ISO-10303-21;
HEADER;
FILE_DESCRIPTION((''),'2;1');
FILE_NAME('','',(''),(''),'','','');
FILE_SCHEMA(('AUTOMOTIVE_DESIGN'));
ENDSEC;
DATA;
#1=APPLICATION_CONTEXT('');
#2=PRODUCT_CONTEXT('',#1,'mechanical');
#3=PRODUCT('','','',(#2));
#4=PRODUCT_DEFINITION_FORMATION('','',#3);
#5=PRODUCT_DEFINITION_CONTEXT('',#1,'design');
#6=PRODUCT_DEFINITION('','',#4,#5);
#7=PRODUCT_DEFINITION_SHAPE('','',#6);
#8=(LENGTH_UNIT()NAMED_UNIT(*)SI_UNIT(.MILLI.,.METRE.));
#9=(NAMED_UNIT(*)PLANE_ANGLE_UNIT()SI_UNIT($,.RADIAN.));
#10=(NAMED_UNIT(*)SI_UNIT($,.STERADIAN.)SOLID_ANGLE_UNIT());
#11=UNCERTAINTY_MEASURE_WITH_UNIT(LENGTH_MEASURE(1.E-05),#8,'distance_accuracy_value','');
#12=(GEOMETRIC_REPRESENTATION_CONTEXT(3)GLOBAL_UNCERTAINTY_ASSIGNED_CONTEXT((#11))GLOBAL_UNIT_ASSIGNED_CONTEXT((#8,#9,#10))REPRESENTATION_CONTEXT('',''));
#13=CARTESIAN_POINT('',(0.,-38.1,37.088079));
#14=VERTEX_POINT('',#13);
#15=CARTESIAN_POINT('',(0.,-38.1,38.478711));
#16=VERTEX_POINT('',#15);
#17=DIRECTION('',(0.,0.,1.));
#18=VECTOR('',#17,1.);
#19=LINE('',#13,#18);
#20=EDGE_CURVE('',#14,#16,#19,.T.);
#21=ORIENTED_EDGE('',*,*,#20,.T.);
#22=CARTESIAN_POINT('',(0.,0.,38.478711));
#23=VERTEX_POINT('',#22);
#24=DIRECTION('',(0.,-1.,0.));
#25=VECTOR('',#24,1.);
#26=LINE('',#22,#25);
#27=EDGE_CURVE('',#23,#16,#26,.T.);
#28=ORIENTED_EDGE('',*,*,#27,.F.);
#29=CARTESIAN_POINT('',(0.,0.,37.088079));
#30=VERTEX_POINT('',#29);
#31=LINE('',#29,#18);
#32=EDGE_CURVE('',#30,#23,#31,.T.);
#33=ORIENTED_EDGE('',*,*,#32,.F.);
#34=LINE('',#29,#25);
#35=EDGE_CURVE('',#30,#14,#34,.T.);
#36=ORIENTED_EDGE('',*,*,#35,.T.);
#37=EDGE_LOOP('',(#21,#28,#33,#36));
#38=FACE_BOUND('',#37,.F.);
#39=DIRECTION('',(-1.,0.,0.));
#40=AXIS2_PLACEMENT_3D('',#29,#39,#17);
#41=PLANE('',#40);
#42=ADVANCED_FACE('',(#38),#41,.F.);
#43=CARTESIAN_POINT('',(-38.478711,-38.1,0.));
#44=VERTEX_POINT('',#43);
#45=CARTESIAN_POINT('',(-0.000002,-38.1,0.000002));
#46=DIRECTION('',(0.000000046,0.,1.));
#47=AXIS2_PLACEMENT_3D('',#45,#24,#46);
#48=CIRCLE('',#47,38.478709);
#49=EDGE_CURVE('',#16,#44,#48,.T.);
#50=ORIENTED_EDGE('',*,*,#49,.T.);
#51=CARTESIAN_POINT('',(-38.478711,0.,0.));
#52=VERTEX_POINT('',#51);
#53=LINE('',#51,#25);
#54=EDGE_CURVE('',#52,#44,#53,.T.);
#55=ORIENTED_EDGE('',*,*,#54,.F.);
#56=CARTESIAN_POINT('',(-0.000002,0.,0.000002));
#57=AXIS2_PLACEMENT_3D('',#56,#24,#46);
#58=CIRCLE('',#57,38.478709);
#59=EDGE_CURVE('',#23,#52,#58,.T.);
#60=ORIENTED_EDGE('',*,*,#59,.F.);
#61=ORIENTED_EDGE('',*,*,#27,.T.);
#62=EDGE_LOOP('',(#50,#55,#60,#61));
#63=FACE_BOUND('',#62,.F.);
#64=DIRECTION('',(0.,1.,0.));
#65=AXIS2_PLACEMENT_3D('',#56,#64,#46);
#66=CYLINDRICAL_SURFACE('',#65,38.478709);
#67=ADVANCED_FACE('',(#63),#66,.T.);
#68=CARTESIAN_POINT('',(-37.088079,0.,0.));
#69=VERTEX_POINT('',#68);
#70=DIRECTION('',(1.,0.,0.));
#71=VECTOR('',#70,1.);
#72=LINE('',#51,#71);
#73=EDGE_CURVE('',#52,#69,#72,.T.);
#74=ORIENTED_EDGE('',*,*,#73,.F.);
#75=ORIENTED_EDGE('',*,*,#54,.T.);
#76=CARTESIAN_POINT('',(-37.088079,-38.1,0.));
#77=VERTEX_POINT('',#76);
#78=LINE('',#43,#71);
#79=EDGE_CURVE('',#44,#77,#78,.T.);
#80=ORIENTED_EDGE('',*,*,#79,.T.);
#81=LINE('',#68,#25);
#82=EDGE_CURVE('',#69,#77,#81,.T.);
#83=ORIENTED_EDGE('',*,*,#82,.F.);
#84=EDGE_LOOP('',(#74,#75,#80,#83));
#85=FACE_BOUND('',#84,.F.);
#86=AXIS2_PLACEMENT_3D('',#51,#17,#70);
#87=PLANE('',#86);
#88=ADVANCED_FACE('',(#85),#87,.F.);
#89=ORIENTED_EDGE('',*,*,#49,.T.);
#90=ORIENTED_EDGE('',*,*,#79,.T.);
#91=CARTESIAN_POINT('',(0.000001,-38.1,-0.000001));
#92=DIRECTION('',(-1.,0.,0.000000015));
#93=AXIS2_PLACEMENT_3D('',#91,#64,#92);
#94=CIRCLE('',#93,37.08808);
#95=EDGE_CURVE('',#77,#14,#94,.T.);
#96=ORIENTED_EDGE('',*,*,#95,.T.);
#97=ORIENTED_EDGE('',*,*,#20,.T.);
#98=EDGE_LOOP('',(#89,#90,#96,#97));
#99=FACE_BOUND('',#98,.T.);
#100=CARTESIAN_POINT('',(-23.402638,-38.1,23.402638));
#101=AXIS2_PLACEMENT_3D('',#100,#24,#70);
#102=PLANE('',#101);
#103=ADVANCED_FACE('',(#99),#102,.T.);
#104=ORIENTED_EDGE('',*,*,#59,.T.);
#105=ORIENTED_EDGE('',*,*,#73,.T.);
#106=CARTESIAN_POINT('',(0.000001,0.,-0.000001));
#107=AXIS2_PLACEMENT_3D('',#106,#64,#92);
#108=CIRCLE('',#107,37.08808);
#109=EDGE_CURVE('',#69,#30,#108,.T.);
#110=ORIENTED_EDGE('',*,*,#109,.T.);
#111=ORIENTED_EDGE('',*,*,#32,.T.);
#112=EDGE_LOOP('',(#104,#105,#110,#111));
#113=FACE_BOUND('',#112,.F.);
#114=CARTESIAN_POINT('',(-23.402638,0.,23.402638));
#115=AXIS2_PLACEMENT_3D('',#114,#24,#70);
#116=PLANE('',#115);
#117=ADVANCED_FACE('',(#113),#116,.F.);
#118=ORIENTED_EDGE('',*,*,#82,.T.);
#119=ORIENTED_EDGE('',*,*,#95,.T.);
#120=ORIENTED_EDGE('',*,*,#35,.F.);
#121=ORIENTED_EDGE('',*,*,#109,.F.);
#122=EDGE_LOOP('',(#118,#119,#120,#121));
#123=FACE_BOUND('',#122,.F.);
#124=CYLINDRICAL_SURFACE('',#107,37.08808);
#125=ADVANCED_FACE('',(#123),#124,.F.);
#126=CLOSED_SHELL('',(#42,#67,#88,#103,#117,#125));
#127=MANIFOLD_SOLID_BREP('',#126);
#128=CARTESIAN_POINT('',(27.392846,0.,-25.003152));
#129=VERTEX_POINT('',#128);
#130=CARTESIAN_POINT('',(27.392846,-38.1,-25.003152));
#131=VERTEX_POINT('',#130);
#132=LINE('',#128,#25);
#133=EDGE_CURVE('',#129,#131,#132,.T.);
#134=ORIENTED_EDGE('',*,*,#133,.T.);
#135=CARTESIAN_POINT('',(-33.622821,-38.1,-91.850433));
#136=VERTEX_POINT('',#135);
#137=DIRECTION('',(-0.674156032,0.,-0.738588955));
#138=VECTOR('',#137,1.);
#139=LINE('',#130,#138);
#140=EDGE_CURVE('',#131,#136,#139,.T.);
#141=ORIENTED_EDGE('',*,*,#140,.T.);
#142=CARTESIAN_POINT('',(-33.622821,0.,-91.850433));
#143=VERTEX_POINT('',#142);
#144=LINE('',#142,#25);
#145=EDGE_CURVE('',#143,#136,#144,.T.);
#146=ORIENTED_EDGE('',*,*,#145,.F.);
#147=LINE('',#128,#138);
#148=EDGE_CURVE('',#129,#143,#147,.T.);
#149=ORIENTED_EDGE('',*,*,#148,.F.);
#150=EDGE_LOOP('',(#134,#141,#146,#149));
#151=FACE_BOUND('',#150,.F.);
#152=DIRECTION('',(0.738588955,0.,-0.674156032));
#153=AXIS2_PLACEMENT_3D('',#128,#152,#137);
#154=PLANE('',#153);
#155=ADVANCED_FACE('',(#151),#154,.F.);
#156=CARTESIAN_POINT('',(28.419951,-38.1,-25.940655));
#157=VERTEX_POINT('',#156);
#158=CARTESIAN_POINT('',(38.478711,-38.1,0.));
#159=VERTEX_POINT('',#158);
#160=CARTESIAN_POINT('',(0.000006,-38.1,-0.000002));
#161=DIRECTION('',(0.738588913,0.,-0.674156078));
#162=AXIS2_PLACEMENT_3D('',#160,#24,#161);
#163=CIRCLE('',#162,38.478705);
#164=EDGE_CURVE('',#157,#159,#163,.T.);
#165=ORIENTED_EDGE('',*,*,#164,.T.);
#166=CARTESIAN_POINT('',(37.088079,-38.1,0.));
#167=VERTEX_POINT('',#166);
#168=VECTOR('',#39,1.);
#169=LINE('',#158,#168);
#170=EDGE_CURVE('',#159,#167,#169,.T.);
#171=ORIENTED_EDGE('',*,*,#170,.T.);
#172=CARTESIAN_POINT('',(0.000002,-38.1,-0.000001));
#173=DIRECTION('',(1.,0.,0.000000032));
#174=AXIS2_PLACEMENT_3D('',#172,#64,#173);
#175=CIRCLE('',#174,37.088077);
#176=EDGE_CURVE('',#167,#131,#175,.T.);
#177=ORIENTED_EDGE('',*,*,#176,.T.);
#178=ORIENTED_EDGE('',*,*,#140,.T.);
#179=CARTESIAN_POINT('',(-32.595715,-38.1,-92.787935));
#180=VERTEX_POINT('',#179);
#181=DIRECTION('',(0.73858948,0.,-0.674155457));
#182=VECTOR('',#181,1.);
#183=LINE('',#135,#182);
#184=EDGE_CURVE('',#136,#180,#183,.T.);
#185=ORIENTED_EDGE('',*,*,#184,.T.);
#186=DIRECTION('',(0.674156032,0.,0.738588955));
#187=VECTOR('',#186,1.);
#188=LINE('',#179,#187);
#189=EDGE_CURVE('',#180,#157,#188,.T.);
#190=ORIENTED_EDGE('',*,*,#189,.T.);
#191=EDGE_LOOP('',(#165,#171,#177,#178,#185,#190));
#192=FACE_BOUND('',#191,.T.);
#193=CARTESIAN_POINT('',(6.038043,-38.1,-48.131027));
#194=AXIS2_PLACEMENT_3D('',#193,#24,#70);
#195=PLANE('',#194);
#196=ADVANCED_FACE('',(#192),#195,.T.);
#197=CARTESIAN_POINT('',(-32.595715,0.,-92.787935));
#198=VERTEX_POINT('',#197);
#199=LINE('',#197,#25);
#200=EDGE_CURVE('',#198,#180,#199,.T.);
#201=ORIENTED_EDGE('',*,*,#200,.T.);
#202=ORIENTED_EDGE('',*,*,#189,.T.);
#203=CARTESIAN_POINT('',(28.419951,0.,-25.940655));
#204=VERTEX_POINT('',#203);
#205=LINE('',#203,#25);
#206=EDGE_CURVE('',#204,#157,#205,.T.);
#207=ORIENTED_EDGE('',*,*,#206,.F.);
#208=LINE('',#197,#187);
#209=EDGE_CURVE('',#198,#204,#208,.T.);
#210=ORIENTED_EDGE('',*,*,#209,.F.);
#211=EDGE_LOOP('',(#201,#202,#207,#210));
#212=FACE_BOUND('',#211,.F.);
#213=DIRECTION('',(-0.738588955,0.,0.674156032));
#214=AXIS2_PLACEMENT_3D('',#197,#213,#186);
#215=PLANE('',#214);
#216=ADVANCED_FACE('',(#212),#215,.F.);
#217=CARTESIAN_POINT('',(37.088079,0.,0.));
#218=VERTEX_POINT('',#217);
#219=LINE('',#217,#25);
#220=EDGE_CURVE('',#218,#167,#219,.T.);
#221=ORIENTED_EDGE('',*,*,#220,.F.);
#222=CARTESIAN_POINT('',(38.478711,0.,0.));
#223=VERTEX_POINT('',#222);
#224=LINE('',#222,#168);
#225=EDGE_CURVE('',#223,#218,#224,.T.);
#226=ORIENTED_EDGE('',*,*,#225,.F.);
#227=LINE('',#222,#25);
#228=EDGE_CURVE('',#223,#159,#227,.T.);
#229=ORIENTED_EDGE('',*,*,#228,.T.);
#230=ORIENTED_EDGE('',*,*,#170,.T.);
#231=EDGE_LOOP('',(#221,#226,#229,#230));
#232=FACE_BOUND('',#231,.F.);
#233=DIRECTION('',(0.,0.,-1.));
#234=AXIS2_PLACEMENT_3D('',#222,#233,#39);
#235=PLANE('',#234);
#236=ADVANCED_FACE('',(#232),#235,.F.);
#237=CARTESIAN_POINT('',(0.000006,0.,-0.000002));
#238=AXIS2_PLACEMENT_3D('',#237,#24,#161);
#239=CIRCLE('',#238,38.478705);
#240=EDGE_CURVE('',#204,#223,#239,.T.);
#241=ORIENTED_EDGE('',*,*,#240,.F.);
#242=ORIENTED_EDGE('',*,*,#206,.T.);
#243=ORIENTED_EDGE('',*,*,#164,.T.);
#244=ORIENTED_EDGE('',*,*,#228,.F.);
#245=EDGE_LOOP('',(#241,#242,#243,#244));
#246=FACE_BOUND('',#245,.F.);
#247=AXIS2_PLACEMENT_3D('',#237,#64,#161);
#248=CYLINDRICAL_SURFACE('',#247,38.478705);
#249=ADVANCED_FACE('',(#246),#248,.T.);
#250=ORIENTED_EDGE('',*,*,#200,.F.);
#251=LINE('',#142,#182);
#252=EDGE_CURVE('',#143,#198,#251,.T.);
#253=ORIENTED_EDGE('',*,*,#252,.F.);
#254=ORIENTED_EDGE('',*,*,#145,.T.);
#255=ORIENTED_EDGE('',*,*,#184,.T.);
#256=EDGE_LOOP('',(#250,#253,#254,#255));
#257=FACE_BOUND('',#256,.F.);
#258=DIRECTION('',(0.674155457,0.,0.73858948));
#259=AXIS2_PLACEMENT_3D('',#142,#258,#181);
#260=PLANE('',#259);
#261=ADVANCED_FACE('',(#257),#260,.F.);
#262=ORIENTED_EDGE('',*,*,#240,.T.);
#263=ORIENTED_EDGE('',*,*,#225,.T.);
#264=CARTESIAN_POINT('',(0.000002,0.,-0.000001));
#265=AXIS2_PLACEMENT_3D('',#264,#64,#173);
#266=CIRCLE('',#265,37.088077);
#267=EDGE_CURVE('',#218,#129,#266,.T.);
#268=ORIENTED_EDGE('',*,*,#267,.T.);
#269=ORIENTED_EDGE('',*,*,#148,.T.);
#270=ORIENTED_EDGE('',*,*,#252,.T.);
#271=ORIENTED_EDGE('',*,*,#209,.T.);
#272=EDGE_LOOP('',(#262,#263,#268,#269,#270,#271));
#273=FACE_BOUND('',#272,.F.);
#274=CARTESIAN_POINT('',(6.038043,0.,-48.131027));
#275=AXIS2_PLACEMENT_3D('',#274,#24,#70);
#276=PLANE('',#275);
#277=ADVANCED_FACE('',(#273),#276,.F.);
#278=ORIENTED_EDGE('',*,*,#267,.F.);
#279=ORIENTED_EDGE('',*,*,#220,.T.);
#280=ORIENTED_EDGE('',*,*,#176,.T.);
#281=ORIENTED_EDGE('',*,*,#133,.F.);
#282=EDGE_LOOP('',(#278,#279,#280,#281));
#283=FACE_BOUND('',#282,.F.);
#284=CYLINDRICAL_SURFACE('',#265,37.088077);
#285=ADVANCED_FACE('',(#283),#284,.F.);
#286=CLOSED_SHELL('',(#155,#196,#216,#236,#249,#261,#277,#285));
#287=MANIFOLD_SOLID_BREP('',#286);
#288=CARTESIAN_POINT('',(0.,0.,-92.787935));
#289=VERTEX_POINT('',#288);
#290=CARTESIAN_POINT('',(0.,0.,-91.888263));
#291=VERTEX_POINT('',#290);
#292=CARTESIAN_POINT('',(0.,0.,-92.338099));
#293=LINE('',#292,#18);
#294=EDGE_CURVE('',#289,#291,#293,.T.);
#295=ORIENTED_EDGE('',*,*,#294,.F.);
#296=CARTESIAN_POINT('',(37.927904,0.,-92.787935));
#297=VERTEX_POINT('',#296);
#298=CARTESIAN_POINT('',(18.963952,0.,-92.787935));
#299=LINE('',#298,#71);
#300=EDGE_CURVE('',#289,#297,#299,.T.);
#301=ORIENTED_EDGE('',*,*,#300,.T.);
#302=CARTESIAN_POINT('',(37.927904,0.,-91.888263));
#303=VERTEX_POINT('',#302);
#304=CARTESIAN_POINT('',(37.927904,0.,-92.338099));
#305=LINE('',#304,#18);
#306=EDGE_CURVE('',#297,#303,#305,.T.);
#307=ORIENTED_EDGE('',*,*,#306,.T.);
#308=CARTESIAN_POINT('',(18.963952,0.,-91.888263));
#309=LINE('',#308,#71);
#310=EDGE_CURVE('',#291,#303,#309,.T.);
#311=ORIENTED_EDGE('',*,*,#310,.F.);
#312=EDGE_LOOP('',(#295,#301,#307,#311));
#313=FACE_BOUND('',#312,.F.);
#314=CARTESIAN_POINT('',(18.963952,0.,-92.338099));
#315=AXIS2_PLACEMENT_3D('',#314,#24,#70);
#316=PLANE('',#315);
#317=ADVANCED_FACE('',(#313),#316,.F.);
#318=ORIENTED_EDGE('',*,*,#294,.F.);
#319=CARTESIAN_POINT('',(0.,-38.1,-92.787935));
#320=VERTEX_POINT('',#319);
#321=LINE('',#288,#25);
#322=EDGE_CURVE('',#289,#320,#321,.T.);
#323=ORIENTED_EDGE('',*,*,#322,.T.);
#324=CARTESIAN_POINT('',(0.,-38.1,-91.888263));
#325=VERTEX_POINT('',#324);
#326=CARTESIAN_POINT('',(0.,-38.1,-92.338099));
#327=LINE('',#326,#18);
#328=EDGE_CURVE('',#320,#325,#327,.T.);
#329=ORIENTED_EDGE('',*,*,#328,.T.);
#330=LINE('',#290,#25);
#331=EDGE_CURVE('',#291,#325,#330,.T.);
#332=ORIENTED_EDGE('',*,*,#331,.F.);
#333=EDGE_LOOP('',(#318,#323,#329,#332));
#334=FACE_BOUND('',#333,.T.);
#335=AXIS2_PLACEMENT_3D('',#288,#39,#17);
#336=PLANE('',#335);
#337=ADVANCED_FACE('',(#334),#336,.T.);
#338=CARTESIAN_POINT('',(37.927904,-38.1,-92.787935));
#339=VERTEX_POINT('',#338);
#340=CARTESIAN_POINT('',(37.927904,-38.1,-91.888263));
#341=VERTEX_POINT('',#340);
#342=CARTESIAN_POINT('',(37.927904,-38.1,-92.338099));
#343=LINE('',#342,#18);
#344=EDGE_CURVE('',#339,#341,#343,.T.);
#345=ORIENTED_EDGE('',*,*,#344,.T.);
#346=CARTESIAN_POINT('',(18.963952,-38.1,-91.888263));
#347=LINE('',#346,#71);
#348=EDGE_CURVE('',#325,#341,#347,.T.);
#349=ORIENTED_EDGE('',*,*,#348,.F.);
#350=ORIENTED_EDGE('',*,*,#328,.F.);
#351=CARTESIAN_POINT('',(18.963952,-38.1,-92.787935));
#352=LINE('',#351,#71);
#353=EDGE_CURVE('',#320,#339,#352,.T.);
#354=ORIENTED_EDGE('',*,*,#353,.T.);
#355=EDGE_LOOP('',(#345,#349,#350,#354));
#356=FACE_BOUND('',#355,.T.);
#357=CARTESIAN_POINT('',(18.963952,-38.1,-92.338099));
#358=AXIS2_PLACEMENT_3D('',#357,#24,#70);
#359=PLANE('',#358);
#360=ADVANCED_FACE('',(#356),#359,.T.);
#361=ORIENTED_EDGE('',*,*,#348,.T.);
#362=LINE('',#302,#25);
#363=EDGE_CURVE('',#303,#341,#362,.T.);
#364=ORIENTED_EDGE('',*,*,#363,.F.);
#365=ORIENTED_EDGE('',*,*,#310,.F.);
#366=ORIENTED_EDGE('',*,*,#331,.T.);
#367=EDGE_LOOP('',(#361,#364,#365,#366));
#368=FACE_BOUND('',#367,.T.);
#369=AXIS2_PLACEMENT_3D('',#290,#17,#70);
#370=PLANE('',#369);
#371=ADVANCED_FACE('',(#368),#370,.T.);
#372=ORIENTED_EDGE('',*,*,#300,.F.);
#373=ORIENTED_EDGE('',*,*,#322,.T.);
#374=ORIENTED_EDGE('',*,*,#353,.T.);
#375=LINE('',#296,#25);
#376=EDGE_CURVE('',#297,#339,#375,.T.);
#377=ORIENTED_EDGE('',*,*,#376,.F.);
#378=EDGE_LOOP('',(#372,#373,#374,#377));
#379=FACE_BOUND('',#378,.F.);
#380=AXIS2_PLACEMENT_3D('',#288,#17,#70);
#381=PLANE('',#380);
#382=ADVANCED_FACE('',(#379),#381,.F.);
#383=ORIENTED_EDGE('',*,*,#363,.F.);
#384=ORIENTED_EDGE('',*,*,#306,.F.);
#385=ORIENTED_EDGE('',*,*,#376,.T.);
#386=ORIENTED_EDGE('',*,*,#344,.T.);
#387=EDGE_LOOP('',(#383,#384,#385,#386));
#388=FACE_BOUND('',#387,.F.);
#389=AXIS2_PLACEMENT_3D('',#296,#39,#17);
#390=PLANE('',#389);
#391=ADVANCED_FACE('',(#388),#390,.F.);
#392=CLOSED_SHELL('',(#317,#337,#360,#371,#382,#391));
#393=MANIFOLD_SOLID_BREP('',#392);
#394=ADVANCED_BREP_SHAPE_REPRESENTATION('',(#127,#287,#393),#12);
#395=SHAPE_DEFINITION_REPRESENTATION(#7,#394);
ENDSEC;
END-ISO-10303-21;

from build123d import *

# Parameters (mm, degrees)
F0_W     = 37.927904
F0_H     = 0.899671
F1_DEPTH = 38.1


with BuildPart() as f1:
    # F0 (on Front) → F1 (new body)
    with BuildSketch(Plane.XZ):
        with BuildLine():
            Line((-32.595715, -92.787935), (28.419951, -25.940655))
            ThreePointArc((28.419951, -25.940655), (35.875997, -13.911293), (38.478711, 0))
            Line((38.478711, 0), (37.088079, 0))
            ThreePointArc((37.088079, 0), (34.579428, -13.408534), (27.392846, -25.003152))
            Line((27.392846, -25.003152), (-33.622821, -91.850433))
            Line((-33.622821, -91.850433), (-32.595715, -92.787935))
        make_face()
        with Locations((18.963952, -92.338099)):
            Rectangle(F0_W, F0_H)
        with BuildLine():
            Line((0, 37.088079), (0, 38.478711))
            ThreePointArc((0, 38.478711), (-27.208558, 27.208558), (-38.478711, 0))
            Line((-38.478711, 0), (-37.088079, 0))
            ThreePointArc((-37.088079, 0), (-26.225232, 26.225232), (0, 37.088079))
        make_face()
    extrude(amount=F1_DEPTH)


solid = f1.part
